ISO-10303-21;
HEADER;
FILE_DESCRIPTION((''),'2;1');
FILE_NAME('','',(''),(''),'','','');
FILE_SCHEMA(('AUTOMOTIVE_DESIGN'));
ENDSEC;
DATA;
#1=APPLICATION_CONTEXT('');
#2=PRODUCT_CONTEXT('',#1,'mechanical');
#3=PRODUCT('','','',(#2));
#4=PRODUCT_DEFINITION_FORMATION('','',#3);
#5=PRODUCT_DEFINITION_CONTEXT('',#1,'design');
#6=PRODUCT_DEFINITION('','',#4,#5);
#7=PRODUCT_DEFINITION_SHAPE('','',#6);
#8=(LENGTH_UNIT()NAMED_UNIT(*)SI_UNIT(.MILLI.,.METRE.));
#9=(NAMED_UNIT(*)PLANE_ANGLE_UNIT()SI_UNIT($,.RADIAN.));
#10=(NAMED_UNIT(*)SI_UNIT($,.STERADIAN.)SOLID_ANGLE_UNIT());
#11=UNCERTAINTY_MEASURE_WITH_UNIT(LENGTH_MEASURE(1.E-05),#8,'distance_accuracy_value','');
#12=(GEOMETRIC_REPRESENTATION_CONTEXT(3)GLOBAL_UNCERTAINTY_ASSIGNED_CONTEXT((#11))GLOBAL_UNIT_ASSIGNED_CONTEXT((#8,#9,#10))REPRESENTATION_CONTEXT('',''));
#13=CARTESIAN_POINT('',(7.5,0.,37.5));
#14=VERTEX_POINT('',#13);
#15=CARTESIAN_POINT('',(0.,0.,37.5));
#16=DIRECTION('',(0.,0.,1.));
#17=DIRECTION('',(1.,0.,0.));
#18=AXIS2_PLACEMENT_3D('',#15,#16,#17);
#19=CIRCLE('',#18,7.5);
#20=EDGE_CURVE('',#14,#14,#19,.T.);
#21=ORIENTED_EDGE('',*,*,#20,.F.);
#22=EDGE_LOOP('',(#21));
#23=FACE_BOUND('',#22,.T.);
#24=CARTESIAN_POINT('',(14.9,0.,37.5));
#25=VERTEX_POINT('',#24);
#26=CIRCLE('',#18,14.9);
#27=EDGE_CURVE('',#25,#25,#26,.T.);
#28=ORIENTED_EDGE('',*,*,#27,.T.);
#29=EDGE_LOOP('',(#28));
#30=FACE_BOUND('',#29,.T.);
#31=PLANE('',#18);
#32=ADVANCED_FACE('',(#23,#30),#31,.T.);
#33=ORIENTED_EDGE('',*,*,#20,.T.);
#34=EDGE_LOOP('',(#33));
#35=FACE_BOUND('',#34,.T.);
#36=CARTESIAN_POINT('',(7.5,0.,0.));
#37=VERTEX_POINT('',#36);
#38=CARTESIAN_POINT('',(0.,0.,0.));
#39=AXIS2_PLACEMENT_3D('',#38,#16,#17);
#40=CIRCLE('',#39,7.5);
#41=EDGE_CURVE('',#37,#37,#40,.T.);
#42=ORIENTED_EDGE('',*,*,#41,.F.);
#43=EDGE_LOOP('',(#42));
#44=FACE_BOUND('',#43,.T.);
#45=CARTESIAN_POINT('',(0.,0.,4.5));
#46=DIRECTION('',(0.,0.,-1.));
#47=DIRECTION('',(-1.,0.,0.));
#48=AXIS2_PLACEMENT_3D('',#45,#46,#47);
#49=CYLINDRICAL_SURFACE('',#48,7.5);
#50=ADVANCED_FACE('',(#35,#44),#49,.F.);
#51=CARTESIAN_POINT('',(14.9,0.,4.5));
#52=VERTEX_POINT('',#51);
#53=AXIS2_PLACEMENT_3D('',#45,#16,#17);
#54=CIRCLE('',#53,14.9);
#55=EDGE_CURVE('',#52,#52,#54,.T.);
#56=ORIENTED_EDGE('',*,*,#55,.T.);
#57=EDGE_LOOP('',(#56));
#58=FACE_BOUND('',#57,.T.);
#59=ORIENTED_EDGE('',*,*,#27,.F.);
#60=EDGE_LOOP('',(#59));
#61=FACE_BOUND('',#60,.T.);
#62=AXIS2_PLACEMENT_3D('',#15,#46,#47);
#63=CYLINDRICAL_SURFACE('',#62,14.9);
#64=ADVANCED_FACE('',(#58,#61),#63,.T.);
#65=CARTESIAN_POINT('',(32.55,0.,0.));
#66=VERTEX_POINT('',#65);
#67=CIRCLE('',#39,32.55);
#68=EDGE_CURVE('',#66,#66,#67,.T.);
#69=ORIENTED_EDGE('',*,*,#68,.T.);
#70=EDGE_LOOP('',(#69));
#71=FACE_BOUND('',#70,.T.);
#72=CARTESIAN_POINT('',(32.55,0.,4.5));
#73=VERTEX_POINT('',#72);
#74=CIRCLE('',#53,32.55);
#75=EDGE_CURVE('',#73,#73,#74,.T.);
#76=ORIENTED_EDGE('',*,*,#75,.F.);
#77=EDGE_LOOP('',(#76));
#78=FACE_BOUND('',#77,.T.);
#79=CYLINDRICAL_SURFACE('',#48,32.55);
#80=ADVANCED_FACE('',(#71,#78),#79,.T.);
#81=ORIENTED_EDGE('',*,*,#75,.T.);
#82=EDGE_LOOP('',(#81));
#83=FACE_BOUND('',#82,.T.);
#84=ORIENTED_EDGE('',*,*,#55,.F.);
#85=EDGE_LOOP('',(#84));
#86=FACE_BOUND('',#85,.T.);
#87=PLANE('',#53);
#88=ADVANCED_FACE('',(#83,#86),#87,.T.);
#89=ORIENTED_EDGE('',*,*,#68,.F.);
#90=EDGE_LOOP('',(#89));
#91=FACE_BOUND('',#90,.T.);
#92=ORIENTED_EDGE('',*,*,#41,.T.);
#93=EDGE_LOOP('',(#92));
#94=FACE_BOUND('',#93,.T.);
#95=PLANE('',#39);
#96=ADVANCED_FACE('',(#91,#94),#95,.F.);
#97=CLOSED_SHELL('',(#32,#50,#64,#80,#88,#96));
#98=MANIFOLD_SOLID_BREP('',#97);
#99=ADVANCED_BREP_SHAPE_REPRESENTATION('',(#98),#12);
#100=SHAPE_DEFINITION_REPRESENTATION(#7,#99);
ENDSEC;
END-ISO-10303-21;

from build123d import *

# Parameters (mm, degrees)
SKIZZE1_R                       = 32.55
SKIZZE1_R_2                     = 7.5
AUFSATZ_LINEAR_AUSTRAGEN1_DEPTH = 4.5
SKIZZE2_R                       = 14.9
SKIZZE2_R_2                     = 7.5
AUFSATZ_LINEAR_AUSTRAGEN2_DEPTH = 33


with BuildPart() as part:
    # Skizze1 → Aufsatz-Linear austragen1 (new body)
    with BuildSketch(Plane.XY):
        Circle(SKIZZE1_R)
        Circle(SKIZZE1_R_2, mode=Mode.SUBTRACT)
    extrude(amount=AUFSATZ_LINEAR_AUSTRAGEN1_DEPTH)

    # Skizze2 → Aufsatz-Linear austragen2 (add)
    with BuildSketch(Plane.XY.offset(4.5)):
        Circle(SKIZZE2_R)
        Circle(SKIZZE2_R_2, mode=Mode.SUBTRACT)
    extrude(amount=AUFSATZ_LINEAR_AUSTRAGEN2_DEPTH)


solid = part.part
